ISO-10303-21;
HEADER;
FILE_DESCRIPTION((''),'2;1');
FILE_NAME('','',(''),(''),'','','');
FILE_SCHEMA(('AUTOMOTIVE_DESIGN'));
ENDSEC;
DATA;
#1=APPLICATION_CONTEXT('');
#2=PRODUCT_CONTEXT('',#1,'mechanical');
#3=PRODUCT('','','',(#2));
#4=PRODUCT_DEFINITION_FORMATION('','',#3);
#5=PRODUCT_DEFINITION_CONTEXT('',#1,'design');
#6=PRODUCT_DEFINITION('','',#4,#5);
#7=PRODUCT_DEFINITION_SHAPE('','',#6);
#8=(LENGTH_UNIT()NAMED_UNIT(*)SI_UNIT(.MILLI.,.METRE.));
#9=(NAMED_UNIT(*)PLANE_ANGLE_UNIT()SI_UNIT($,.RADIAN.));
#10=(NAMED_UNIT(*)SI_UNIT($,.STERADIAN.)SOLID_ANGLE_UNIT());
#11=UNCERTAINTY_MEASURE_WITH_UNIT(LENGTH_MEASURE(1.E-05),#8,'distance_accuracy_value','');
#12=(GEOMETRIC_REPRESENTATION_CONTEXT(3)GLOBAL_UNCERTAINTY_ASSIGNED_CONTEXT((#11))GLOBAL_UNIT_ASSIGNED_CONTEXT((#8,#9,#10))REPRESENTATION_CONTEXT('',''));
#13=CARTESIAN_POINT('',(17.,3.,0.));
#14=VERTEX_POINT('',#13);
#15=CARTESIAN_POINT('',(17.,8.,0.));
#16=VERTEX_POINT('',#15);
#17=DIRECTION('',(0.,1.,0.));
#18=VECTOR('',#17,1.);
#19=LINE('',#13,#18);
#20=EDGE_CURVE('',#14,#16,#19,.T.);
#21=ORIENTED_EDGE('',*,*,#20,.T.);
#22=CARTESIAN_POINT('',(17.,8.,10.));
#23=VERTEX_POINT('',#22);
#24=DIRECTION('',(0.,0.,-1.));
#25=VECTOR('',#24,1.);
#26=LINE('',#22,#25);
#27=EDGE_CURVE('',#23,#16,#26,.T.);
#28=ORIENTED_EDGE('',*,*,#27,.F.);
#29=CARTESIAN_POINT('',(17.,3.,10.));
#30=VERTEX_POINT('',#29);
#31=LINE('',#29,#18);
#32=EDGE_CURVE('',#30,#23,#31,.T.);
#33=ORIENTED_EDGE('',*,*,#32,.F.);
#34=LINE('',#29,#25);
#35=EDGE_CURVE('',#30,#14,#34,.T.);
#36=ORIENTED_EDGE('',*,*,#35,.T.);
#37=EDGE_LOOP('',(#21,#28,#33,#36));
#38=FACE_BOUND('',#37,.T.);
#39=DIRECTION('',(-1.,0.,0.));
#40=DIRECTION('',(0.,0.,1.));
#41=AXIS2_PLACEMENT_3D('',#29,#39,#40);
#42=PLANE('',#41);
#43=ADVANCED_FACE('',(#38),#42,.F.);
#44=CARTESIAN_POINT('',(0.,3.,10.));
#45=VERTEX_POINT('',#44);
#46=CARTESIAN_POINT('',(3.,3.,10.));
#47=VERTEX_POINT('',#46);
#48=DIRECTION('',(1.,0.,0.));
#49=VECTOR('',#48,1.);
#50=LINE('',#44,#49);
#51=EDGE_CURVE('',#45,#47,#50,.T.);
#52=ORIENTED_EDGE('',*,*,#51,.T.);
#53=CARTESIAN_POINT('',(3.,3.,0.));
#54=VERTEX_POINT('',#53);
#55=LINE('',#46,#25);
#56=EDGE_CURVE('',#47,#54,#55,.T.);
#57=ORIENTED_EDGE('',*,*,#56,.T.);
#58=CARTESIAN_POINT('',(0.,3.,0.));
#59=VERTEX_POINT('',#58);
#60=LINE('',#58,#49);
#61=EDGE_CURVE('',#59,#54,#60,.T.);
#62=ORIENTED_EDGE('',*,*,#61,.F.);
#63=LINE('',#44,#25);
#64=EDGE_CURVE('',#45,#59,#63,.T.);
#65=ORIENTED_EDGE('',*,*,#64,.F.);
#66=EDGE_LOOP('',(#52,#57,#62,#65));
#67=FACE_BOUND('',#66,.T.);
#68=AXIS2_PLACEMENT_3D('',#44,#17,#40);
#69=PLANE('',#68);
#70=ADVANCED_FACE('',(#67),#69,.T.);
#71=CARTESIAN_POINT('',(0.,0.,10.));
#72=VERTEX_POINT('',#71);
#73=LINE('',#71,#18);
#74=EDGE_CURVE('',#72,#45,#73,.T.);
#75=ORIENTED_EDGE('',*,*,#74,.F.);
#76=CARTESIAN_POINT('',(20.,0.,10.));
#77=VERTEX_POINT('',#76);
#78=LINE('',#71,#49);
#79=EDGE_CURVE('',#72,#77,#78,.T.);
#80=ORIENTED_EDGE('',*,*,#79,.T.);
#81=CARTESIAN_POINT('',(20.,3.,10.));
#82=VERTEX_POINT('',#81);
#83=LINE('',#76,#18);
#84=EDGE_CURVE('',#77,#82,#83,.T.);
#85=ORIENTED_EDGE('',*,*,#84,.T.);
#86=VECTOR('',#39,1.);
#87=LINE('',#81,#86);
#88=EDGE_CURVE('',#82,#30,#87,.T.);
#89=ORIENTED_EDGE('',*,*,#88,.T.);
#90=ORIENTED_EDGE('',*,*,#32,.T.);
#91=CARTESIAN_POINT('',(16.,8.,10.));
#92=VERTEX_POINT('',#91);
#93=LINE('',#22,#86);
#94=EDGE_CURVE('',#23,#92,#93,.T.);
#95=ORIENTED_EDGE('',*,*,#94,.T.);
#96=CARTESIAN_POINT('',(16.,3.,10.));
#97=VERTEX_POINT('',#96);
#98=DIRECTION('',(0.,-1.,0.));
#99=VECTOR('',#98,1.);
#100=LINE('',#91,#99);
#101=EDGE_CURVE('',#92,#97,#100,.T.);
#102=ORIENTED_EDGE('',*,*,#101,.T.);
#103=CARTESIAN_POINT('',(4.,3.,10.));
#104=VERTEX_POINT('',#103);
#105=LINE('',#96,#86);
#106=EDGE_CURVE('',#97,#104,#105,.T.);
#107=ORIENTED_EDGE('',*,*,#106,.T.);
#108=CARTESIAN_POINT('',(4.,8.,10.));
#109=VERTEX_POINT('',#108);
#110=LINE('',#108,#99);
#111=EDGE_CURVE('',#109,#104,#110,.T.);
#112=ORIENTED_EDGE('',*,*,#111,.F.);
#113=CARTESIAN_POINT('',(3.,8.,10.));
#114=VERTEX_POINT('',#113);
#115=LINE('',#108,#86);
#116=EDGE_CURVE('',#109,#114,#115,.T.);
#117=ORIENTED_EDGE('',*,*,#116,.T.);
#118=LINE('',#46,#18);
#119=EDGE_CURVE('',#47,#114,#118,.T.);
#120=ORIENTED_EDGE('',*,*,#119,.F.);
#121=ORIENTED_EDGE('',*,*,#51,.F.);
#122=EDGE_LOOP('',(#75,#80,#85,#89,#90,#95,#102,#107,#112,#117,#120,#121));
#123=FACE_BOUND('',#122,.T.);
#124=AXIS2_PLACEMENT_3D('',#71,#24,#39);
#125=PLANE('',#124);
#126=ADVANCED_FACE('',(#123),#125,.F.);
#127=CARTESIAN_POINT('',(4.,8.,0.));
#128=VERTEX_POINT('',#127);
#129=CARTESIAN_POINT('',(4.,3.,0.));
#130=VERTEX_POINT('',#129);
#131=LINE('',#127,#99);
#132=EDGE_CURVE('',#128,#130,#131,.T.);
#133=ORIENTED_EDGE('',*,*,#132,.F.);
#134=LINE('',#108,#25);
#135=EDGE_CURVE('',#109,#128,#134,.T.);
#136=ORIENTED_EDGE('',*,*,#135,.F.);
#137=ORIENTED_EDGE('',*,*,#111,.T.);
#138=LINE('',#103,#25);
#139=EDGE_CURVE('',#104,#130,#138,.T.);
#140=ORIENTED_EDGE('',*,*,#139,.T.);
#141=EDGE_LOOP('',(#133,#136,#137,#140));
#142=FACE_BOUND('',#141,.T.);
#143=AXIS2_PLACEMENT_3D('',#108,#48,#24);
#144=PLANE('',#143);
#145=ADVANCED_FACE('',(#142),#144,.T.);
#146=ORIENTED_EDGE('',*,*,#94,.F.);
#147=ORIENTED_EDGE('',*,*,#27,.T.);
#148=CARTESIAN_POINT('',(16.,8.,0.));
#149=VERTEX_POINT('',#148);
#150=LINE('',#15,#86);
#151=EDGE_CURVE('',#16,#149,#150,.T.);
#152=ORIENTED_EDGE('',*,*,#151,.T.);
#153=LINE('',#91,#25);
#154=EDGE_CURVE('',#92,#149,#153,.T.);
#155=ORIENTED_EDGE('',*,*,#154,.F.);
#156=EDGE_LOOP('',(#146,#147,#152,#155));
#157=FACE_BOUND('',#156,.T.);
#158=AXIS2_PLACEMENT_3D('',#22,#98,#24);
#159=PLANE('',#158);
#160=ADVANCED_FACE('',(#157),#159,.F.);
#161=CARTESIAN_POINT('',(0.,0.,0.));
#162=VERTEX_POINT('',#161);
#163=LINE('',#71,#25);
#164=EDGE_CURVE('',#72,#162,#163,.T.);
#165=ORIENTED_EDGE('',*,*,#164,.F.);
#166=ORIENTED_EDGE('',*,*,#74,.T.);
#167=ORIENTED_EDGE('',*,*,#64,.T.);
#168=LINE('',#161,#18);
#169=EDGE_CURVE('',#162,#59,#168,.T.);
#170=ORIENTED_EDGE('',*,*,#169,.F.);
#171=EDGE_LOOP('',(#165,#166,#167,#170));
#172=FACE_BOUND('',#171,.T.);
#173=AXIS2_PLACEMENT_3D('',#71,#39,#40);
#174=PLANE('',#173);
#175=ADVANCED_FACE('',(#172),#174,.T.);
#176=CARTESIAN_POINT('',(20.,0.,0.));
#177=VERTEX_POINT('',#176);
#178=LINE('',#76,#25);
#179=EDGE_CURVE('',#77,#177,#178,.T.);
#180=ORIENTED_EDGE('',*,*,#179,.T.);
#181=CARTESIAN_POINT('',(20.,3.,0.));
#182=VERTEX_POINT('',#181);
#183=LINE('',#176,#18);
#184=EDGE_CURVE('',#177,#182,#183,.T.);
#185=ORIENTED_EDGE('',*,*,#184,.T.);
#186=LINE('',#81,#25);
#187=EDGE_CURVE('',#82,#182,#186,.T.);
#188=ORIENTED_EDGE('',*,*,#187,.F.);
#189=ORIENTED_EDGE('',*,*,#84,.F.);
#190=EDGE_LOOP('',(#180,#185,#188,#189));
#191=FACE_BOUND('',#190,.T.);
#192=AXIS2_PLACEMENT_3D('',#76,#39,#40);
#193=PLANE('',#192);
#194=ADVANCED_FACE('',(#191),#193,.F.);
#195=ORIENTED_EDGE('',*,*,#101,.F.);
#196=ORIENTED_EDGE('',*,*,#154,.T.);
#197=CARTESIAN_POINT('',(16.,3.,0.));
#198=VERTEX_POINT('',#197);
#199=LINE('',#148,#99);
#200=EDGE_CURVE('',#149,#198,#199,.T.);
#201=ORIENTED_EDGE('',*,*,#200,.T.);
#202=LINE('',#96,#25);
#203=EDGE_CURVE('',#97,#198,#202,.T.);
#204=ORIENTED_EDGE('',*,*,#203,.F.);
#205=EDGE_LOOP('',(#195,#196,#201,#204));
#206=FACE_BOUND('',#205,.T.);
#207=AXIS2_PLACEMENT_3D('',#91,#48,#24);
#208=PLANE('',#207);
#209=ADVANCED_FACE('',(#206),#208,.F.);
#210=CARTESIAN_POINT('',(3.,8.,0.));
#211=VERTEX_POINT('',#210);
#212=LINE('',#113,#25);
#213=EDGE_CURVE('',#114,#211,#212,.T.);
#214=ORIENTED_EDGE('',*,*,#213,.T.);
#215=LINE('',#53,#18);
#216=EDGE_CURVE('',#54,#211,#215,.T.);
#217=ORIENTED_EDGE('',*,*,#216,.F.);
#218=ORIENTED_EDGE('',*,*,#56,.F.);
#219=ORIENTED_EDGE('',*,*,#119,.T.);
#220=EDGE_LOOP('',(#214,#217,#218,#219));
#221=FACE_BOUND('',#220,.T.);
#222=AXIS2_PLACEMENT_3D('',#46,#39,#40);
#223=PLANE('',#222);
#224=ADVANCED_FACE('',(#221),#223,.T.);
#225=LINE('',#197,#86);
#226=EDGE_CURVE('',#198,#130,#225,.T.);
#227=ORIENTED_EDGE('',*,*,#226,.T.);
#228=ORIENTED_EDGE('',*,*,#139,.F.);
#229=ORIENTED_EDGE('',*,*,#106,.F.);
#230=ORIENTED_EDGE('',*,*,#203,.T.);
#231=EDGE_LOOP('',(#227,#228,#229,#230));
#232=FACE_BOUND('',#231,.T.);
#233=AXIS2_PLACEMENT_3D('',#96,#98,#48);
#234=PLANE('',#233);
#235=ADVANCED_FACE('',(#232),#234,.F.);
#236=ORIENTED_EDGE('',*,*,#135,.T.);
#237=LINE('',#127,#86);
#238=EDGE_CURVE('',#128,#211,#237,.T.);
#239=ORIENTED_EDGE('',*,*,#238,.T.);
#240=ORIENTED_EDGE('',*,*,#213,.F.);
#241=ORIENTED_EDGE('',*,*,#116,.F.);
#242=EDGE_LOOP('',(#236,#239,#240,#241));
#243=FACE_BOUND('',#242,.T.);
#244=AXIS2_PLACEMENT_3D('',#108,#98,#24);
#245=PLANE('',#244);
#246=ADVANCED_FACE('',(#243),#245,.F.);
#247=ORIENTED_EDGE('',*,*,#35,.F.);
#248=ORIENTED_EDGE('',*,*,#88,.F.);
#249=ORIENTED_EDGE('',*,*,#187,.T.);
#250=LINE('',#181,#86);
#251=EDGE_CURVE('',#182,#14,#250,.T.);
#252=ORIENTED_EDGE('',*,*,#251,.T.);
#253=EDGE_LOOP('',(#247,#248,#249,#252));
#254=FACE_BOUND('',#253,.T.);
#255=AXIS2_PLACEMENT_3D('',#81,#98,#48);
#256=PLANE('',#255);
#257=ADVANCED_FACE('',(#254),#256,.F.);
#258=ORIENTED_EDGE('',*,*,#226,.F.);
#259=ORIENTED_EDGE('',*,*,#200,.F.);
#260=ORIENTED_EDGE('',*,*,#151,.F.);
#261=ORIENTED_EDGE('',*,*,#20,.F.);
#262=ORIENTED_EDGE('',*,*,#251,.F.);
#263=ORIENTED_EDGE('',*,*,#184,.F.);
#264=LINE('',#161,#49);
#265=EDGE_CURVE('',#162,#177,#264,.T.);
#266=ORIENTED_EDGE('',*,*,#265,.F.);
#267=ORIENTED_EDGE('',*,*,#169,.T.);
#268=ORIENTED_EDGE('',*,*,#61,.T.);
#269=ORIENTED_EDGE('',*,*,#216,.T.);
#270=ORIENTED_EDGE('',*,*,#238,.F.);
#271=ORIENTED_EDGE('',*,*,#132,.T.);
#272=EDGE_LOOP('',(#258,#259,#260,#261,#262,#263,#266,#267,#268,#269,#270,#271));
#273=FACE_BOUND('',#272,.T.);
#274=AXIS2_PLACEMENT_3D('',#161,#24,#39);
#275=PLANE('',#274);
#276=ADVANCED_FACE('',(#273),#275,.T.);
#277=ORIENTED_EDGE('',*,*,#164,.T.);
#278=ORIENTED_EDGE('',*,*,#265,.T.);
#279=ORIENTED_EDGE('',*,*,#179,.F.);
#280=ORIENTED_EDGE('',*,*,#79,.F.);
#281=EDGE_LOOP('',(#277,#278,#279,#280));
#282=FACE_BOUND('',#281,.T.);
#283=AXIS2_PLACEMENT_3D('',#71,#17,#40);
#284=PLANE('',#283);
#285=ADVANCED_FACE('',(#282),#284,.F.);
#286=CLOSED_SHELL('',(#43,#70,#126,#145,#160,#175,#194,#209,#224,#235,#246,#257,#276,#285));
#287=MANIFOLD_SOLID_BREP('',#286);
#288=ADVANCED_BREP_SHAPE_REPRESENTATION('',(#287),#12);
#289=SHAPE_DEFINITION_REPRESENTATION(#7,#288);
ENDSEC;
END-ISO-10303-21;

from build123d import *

# Parameters (mm, degrees)
EXTRUDE_1_DEPTH = 10


with BuildPart() as part:
    # Эскиз1 → Бобышка-Вытянуть1 (new body)
    with BuildSketch(Plane.XY):
        Polygon((0, 0), (20, 0), (20, 3), (17, 3), (17, 8), (16, 8), (16, 3), (4, 3), (4, 8), (3, 8), (3, 3), (0, 3), align=None)
    extrude(amount=EXTRUDE_1_DEPTH)


solid = part.part
